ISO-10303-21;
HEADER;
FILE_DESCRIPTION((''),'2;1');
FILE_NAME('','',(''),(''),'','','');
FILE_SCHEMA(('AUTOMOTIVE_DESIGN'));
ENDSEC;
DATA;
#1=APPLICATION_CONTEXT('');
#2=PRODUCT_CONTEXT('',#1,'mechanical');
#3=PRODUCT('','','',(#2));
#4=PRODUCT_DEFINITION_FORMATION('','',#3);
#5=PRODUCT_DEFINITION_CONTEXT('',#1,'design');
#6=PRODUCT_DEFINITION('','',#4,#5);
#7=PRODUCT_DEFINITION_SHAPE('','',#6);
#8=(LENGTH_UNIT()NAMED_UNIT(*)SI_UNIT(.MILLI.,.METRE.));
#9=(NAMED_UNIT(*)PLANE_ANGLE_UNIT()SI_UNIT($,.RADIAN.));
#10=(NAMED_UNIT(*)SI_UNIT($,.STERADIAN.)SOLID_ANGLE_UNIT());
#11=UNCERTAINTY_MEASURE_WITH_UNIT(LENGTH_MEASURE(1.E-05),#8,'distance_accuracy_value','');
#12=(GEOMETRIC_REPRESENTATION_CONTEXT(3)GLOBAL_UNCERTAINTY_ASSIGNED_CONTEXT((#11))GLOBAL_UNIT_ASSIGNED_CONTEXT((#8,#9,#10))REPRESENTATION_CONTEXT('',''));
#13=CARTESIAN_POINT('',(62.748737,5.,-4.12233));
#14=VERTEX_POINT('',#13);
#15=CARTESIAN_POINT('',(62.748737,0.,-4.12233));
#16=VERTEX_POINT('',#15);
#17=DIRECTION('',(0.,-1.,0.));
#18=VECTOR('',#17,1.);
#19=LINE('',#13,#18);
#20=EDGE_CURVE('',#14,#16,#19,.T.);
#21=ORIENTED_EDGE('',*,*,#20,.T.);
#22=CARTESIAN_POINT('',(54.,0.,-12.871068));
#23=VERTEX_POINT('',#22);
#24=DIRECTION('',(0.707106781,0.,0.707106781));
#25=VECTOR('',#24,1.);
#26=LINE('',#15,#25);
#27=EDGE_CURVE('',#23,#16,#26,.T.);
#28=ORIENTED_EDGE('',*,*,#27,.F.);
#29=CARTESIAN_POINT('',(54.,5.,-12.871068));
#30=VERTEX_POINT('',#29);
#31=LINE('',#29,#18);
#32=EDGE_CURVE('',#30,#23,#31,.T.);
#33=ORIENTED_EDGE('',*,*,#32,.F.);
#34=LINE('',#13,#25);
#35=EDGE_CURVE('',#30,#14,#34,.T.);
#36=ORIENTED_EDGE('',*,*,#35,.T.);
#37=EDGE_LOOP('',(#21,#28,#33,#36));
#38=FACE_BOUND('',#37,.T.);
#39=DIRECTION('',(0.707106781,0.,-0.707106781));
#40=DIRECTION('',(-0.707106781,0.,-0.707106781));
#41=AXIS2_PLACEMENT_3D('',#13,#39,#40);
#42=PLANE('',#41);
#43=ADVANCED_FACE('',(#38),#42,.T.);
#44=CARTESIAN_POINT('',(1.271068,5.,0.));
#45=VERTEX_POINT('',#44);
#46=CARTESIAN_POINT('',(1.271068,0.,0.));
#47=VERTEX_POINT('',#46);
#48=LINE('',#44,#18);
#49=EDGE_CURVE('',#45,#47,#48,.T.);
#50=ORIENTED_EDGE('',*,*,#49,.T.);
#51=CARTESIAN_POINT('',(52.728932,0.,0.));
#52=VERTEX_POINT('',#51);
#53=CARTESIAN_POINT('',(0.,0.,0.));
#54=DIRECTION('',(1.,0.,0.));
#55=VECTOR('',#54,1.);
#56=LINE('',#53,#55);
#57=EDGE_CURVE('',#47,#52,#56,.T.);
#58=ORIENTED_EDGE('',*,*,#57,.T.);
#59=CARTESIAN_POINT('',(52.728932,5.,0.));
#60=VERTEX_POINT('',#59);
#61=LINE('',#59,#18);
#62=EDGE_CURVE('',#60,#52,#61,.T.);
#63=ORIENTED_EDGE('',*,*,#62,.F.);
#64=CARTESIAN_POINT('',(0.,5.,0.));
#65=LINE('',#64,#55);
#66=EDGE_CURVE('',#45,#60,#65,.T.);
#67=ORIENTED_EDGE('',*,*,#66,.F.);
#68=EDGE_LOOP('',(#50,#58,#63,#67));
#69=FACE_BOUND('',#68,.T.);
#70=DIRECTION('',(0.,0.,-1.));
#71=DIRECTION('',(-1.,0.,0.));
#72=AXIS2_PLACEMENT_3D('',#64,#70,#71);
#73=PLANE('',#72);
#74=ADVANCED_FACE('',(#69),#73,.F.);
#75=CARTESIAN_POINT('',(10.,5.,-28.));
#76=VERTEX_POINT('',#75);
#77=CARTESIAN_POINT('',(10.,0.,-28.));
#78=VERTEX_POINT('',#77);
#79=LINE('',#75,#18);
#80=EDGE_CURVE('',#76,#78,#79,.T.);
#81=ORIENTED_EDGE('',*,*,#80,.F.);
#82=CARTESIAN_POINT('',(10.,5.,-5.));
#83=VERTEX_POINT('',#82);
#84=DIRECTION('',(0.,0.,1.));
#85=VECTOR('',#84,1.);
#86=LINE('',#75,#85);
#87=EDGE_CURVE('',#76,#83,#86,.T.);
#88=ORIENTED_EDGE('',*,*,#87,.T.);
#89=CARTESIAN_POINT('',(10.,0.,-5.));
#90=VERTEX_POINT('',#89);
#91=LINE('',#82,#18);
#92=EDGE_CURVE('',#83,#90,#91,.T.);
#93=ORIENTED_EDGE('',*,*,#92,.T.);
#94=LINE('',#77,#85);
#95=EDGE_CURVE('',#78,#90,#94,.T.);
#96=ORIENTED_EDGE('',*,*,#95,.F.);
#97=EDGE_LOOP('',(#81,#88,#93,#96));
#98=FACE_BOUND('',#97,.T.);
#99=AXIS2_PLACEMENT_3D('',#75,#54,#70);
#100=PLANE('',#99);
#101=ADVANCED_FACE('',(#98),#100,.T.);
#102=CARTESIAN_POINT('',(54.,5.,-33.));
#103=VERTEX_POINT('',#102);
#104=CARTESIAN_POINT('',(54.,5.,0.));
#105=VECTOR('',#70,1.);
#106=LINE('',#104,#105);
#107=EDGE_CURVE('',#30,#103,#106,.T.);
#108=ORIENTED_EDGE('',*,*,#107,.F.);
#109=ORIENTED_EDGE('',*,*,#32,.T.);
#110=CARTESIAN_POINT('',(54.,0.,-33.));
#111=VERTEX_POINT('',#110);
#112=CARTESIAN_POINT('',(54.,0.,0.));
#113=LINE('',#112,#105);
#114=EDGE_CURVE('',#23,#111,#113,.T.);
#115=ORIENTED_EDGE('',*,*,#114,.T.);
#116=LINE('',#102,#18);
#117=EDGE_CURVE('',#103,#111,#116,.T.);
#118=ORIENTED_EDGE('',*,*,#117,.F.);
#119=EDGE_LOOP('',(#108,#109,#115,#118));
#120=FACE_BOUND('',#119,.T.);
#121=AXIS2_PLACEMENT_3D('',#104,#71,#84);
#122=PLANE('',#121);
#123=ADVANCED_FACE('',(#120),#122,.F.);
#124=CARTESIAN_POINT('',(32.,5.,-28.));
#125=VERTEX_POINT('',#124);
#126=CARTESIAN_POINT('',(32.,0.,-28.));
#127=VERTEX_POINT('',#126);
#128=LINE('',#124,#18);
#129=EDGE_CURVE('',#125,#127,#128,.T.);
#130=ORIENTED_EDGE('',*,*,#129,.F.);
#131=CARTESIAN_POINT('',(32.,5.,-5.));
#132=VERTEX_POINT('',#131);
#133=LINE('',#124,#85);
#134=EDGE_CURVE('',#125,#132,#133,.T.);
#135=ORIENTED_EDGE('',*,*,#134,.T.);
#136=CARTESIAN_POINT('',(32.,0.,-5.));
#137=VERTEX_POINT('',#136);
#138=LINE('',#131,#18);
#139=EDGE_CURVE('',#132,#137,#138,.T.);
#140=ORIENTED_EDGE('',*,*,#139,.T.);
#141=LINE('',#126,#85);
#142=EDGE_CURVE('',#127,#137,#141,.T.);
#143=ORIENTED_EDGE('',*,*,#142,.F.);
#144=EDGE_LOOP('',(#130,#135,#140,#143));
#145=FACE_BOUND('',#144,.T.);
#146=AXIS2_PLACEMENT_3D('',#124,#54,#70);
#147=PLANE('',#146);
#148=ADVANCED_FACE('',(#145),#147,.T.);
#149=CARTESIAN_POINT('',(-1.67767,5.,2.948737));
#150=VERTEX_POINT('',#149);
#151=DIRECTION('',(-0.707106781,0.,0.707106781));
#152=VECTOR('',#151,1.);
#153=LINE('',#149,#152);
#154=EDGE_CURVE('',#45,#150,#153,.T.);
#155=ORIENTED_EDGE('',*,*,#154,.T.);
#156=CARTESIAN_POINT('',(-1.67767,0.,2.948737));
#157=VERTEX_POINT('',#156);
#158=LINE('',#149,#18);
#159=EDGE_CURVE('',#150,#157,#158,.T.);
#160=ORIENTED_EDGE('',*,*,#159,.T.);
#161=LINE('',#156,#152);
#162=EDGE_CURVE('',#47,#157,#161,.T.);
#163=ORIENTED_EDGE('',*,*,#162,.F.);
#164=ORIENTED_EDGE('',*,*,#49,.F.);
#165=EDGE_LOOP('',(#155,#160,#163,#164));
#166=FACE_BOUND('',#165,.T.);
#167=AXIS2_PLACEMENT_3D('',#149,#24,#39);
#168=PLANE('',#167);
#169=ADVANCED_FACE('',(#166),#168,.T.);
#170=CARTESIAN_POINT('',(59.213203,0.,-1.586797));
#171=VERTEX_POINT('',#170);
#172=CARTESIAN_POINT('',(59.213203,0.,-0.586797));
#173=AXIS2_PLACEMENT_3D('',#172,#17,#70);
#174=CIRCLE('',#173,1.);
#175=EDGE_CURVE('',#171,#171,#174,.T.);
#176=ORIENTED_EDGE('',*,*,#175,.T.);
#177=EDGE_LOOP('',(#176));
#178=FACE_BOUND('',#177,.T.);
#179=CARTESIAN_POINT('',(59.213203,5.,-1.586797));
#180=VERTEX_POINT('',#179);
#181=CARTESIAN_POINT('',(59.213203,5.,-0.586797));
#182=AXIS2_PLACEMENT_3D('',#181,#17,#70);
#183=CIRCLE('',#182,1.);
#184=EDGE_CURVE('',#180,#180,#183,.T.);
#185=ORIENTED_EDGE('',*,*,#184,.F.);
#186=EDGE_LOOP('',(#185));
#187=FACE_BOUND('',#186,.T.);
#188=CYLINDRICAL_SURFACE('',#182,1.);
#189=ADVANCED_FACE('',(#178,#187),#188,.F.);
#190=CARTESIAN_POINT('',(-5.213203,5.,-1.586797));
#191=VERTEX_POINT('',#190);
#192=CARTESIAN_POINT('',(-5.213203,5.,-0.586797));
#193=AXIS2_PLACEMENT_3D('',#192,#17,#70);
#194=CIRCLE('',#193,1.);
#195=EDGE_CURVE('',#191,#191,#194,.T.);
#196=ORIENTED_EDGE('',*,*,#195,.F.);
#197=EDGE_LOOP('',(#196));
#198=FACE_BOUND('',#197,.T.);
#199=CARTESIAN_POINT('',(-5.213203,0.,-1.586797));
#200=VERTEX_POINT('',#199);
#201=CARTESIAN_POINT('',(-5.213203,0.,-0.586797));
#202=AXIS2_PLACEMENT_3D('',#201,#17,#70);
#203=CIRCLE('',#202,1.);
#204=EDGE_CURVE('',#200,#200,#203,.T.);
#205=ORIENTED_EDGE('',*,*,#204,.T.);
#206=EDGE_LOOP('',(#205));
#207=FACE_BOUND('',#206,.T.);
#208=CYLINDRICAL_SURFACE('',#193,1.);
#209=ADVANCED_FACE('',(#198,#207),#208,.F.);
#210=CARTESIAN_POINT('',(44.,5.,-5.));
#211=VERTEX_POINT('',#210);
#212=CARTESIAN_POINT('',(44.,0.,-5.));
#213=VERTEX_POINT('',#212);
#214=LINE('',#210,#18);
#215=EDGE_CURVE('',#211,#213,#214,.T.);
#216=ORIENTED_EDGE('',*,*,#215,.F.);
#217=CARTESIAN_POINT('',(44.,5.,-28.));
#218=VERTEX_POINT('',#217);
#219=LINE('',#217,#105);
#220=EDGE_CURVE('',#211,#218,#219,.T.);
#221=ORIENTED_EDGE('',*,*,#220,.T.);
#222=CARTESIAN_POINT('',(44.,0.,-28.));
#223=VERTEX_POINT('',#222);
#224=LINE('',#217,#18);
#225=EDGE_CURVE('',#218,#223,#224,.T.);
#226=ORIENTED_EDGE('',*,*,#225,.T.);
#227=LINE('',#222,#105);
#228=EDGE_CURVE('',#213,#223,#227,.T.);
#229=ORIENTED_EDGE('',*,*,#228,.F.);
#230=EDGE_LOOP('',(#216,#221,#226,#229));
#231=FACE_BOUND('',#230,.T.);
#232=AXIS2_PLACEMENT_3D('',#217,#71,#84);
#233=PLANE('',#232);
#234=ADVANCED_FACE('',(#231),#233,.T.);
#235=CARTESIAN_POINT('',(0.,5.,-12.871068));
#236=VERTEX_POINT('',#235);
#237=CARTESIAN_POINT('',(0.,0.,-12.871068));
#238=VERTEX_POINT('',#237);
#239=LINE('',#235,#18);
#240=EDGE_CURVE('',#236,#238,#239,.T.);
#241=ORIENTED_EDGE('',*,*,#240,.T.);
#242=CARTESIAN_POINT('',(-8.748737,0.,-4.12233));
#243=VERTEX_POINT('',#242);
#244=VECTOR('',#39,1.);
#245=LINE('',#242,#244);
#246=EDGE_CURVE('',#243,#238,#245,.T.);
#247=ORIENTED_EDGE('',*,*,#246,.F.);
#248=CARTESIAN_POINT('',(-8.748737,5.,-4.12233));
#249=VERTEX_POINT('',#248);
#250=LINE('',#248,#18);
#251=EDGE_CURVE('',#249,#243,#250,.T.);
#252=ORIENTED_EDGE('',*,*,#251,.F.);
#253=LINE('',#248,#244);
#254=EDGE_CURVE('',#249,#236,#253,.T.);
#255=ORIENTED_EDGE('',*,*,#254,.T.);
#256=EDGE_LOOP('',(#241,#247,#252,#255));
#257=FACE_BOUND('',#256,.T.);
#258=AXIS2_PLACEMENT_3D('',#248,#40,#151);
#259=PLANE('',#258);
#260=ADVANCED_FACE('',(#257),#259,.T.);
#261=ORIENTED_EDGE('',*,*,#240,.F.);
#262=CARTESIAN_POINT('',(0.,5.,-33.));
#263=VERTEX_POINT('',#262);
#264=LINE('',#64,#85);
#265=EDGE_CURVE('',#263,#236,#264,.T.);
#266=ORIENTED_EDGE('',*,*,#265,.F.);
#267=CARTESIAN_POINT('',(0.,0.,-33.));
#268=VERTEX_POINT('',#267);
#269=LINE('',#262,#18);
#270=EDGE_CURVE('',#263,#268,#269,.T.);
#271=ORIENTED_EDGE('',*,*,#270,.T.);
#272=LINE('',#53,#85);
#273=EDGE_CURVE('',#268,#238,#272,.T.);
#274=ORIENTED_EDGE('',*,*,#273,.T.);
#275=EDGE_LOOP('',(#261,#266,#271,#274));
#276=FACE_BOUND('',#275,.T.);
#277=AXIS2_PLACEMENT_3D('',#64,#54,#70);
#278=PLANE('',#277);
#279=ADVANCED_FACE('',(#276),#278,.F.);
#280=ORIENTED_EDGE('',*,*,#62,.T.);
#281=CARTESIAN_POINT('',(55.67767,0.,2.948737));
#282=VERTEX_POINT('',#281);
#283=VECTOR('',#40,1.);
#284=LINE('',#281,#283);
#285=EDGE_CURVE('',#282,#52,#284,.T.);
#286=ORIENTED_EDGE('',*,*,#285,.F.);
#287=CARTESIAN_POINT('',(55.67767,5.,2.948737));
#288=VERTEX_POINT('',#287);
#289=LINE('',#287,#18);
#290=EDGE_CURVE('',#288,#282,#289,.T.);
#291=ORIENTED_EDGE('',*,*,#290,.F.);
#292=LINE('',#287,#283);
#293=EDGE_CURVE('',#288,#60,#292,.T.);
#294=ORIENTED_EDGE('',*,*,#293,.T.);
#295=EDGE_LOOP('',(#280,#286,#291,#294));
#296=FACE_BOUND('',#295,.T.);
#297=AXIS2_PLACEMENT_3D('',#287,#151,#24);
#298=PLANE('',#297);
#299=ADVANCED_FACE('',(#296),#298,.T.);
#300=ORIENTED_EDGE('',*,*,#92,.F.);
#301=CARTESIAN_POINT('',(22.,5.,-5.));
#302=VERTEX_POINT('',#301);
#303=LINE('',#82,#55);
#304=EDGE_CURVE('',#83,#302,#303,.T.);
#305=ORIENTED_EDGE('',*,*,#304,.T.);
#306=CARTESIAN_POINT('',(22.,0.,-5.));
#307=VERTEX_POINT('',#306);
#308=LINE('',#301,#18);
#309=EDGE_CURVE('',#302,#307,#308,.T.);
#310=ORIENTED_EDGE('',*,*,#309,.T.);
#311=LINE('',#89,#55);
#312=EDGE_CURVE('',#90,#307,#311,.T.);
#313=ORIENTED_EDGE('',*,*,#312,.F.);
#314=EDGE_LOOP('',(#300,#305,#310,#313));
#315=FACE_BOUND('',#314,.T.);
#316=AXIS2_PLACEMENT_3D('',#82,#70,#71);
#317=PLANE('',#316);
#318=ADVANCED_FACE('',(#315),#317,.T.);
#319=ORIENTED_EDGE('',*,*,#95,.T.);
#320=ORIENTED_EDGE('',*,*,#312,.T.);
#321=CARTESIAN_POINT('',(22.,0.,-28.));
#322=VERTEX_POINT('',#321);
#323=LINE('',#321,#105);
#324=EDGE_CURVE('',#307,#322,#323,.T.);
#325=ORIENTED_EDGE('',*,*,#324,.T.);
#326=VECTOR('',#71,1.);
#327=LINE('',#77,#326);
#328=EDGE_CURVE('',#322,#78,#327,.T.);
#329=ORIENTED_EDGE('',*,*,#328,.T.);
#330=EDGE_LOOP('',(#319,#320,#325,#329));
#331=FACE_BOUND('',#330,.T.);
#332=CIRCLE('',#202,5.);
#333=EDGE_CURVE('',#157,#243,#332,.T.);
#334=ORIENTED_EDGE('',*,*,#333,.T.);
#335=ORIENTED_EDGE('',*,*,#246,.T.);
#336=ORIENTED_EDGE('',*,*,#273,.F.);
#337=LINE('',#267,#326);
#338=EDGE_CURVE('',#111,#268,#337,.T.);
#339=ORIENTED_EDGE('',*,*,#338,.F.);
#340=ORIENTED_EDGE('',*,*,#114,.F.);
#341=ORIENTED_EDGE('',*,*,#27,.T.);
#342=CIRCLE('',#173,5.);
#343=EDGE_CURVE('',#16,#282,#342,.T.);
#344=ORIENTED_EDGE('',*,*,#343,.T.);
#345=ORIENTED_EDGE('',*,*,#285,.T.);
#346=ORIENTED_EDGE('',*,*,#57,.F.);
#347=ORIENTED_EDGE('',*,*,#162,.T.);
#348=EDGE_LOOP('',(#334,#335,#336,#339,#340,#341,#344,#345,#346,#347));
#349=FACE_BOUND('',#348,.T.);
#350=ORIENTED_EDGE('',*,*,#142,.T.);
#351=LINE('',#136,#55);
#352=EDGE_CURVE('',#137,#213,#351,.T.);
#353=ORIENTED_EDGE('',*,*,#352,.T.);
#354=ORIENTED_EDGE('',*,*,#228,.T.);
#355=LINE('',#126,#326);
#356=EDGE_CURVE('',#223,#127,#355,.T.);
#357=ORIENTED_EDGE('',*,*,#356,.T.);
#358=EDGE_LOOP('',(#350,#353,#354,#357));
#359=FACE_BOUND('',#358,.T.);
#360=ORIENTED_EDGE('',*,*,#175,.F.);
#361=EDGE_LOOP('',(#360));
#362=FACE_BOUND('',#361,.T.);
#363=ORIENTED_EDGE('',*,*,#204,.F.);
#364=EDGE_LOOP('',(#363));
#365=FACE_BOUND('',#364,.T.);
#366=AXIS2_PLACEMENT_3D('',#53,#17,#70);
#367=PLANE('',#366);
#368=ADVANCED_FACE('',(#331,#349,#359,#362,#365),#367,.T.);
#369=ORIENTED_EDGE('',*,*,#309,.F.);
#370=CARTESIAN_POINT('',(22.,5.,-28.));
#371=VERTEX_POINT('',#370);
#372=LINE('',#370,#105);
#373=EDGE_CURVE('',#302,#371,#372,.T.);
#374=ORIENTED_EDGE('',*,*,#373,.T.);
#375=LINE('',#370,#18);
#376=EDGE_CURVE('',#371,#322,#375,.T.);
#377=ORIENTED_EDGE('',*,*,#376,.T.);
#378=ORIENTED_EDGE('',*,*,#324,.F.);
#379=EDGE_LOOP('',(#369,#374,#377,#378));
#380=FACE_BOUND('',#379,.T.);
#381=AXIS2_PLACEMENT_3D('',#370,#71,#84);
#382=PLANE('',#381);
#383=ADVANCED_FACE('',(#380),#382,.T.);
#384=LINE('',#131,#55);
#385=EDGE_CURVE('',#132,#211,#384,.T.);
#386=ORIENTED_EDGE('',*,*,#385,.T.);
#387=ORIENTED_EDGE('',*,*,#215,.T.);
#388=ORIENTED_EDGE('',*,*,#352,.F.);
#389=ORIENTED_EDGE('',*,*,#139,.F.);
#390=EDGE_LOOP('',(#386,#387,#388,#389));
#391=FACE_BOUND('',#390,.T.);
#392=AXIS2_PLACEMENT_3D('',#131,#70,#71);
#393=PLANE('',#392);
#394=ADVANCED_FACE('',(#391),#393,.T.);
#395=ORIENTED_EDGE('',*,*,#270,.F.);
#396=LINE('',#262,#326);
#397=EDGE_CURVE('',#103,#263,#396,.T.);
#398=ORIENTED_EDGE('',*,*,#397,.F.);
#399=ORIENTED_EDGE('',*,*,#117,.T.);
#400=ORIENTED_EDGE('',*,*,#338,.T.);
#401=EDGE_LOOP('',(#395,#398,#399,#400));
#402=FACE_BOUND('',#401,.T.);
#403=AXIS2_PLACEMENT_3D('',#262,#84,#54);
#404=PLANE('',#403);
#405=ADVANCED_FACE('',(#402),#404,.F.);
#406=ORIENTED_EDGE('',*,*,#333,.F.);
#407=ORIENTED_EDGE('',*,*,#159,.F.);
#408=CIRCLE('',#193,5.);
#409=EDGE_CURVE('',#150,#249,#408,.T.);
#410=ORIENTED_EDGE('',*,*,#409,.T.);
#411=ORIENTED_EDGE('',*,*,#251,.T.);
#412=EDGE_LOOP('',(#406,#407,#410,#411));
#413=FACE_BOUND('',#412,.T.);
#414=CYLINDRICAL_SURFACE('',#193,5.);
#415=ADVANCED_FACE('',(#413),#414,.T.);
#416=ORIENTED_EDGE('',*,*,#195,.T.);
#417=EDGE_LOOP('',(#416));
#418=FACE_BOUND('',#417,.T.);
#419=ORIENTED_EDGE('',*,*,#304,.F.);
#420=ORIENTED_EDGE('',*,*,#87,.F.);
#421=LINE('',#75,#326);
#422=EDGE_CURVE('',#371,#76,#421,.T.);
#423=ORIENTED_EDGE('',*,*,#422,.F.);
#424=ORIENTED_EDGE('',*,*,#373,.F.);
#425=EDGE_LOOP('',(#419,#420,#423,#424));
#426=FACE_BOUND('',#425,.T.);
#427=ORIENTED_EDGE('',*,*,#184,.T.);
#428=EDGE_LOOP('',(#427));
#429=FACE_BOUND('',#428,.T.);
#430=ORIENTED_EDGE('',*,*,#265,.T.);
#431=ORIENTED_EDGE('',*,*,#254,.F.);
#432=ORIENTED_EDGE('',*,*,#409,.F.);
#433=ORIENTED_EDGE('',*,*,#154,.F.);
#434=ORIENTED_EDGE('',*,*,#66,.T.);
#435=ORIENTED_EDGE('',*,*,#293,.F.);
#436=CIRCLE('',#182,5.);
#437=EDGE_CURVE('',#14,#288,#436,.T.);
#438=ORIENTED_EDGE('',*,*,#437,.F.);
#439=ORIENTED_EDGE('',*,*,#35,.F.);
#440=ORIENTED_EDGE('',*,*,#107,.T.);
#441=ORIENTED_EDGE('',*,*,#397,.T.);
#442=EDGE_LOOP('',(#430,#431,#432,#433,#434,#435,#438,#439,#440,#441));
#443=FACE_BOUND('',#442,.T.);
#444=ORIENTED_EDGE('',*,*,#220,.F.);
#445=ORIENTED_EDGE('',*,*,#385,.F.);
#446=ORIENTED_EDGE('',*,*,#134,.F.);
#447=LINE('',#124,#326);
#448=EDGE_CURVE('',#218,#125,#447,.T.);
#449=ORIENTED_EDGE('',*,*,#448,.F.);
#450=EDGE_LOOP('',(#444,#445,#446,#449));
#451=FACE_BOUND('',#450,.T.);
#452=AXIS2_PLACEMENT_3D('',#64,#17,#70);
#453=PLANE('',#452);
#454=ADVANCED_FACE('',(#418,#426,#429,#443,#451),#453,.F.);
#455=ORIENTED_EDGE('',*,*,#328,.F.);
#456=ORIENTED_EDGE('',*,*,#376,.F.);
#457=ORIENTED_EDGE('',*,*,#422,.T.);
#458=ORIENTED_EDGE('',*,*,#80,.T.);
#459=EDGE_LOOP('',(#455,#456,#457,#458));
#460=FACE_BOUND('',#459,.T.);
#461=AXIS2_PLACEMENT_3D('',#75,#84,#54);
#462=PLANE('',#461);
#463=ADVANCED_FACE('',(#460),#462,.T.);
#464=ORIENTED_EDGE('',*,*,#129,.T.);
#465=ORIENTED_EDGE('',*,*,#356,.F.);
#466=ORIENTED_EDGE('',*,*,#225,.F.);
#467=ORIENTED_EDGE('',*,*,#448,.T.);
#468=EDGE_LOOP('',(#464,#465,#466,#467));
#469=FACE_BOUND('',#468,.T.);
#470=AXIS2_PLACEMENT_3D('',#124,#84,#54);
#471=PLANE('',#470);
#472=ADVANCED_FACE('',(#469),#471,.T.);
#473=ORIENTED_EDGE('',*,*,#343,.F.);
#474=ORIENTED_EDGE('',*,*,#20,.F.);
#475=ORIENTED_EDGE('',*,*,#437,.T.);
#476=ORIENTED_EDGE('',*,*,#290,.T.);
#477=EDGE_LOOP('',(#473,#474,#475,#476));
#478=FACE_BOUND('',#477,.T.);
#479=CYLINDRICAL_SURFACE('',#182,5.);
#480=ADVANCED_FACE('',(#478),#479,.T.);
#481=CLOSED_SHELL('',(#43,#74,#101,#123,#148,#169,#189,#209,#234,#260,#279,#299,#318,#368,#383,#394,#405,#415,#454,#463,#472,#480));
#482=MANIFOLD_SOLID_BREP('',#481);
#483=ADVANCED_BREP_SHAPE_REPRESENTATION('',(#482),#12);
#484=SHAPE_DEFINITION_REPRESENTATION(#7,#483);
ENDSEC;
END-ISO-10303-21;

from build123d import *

# Parameters (mm, degrees)
SKETCH1_W           = 54
SKETCH1_H           = 33
SKETCH1_W_2         = 12
SKETCH1_H_2         = 23
BOSS_EXTRUDE1_DEPTH = 5
SKETCH4_R           = 1
BOSS_EXTRUDE2_DEPTH = 5


with BuildPart() as part:
    # Sketch1 → Boss-Extrude1 (new body)
    with BuildSketch(Plane(origin=(0, 0, 0), x_dir=(1, 0, 0), z_dir=(0, 1, 0))):
        with Locations((27, 16.5)):
            Rectangle(SKETCH1_W, SKETCH1_H)
        with Locations((16, 16.5)):
            Rectangle(SKETCH1_W_2, SKETCH1_H_2, mode=Mode.SUBTRACT)
        with Locations((38, 16.5)):
            Rectangle(SKETCH1_W_2, SKETCH1_H_2, mode=Mode.SUBTRACT)
    extrude(amount=BOSS_EXTRUDE1_DEPTH)

    # Sketch4 → Boss-Extrude2 (add)
    # profile 1 of 2: a face of its own
    with BuildSketch(Plane.XZ):
        with BuildLine():
            Line((62.748737342, -4.12233047), (54, -12.871067812))
            Line((54, -12.871067812), (54, 0))
            Line((54, 0), (52.728932188, 0))
            Line((52.728932188, 0), (55.67766953, 2.948737342))
            ThreePointArc((55.67766953, 2.948737342), (62.748737342, 2.948737342), (62.748737342, -4.12233047))
        make_face()
        with Locations(Location((59.213203436, -0.586796564, 0), (0, 0, 270))):
            Circle(SKETCH4_R, mode=Mode.SUBTRACT)
    # profile 2 of 2: a face of its own
    with BuildSketch(Plane.XZ):
        with BuildLine():
            Line((-8.748737342, -4.12233047), (0, -12.871067812))
            Line((0, -12.871067812), (0, 0))
            Line((0, 0), (1.271067812, 0))
            Line((1.271067812, 0), (-1.67766953, 2.948737342))
            ThreePointArc((-1.67766953, 2.948737342), (-8.748737342, 2.948737342), (-8.748737342, -4.12233047))
        make_face()
        with Locations(Location((-5.213203436, -0.586796564, 0), (0, 0, 270))):
            Circle(SKETCH4_R, mode=Mode.SUBTRACT)
    extrude(amount=-BOSS_EXTRUDE2_DEPTH)


solid = part.part
